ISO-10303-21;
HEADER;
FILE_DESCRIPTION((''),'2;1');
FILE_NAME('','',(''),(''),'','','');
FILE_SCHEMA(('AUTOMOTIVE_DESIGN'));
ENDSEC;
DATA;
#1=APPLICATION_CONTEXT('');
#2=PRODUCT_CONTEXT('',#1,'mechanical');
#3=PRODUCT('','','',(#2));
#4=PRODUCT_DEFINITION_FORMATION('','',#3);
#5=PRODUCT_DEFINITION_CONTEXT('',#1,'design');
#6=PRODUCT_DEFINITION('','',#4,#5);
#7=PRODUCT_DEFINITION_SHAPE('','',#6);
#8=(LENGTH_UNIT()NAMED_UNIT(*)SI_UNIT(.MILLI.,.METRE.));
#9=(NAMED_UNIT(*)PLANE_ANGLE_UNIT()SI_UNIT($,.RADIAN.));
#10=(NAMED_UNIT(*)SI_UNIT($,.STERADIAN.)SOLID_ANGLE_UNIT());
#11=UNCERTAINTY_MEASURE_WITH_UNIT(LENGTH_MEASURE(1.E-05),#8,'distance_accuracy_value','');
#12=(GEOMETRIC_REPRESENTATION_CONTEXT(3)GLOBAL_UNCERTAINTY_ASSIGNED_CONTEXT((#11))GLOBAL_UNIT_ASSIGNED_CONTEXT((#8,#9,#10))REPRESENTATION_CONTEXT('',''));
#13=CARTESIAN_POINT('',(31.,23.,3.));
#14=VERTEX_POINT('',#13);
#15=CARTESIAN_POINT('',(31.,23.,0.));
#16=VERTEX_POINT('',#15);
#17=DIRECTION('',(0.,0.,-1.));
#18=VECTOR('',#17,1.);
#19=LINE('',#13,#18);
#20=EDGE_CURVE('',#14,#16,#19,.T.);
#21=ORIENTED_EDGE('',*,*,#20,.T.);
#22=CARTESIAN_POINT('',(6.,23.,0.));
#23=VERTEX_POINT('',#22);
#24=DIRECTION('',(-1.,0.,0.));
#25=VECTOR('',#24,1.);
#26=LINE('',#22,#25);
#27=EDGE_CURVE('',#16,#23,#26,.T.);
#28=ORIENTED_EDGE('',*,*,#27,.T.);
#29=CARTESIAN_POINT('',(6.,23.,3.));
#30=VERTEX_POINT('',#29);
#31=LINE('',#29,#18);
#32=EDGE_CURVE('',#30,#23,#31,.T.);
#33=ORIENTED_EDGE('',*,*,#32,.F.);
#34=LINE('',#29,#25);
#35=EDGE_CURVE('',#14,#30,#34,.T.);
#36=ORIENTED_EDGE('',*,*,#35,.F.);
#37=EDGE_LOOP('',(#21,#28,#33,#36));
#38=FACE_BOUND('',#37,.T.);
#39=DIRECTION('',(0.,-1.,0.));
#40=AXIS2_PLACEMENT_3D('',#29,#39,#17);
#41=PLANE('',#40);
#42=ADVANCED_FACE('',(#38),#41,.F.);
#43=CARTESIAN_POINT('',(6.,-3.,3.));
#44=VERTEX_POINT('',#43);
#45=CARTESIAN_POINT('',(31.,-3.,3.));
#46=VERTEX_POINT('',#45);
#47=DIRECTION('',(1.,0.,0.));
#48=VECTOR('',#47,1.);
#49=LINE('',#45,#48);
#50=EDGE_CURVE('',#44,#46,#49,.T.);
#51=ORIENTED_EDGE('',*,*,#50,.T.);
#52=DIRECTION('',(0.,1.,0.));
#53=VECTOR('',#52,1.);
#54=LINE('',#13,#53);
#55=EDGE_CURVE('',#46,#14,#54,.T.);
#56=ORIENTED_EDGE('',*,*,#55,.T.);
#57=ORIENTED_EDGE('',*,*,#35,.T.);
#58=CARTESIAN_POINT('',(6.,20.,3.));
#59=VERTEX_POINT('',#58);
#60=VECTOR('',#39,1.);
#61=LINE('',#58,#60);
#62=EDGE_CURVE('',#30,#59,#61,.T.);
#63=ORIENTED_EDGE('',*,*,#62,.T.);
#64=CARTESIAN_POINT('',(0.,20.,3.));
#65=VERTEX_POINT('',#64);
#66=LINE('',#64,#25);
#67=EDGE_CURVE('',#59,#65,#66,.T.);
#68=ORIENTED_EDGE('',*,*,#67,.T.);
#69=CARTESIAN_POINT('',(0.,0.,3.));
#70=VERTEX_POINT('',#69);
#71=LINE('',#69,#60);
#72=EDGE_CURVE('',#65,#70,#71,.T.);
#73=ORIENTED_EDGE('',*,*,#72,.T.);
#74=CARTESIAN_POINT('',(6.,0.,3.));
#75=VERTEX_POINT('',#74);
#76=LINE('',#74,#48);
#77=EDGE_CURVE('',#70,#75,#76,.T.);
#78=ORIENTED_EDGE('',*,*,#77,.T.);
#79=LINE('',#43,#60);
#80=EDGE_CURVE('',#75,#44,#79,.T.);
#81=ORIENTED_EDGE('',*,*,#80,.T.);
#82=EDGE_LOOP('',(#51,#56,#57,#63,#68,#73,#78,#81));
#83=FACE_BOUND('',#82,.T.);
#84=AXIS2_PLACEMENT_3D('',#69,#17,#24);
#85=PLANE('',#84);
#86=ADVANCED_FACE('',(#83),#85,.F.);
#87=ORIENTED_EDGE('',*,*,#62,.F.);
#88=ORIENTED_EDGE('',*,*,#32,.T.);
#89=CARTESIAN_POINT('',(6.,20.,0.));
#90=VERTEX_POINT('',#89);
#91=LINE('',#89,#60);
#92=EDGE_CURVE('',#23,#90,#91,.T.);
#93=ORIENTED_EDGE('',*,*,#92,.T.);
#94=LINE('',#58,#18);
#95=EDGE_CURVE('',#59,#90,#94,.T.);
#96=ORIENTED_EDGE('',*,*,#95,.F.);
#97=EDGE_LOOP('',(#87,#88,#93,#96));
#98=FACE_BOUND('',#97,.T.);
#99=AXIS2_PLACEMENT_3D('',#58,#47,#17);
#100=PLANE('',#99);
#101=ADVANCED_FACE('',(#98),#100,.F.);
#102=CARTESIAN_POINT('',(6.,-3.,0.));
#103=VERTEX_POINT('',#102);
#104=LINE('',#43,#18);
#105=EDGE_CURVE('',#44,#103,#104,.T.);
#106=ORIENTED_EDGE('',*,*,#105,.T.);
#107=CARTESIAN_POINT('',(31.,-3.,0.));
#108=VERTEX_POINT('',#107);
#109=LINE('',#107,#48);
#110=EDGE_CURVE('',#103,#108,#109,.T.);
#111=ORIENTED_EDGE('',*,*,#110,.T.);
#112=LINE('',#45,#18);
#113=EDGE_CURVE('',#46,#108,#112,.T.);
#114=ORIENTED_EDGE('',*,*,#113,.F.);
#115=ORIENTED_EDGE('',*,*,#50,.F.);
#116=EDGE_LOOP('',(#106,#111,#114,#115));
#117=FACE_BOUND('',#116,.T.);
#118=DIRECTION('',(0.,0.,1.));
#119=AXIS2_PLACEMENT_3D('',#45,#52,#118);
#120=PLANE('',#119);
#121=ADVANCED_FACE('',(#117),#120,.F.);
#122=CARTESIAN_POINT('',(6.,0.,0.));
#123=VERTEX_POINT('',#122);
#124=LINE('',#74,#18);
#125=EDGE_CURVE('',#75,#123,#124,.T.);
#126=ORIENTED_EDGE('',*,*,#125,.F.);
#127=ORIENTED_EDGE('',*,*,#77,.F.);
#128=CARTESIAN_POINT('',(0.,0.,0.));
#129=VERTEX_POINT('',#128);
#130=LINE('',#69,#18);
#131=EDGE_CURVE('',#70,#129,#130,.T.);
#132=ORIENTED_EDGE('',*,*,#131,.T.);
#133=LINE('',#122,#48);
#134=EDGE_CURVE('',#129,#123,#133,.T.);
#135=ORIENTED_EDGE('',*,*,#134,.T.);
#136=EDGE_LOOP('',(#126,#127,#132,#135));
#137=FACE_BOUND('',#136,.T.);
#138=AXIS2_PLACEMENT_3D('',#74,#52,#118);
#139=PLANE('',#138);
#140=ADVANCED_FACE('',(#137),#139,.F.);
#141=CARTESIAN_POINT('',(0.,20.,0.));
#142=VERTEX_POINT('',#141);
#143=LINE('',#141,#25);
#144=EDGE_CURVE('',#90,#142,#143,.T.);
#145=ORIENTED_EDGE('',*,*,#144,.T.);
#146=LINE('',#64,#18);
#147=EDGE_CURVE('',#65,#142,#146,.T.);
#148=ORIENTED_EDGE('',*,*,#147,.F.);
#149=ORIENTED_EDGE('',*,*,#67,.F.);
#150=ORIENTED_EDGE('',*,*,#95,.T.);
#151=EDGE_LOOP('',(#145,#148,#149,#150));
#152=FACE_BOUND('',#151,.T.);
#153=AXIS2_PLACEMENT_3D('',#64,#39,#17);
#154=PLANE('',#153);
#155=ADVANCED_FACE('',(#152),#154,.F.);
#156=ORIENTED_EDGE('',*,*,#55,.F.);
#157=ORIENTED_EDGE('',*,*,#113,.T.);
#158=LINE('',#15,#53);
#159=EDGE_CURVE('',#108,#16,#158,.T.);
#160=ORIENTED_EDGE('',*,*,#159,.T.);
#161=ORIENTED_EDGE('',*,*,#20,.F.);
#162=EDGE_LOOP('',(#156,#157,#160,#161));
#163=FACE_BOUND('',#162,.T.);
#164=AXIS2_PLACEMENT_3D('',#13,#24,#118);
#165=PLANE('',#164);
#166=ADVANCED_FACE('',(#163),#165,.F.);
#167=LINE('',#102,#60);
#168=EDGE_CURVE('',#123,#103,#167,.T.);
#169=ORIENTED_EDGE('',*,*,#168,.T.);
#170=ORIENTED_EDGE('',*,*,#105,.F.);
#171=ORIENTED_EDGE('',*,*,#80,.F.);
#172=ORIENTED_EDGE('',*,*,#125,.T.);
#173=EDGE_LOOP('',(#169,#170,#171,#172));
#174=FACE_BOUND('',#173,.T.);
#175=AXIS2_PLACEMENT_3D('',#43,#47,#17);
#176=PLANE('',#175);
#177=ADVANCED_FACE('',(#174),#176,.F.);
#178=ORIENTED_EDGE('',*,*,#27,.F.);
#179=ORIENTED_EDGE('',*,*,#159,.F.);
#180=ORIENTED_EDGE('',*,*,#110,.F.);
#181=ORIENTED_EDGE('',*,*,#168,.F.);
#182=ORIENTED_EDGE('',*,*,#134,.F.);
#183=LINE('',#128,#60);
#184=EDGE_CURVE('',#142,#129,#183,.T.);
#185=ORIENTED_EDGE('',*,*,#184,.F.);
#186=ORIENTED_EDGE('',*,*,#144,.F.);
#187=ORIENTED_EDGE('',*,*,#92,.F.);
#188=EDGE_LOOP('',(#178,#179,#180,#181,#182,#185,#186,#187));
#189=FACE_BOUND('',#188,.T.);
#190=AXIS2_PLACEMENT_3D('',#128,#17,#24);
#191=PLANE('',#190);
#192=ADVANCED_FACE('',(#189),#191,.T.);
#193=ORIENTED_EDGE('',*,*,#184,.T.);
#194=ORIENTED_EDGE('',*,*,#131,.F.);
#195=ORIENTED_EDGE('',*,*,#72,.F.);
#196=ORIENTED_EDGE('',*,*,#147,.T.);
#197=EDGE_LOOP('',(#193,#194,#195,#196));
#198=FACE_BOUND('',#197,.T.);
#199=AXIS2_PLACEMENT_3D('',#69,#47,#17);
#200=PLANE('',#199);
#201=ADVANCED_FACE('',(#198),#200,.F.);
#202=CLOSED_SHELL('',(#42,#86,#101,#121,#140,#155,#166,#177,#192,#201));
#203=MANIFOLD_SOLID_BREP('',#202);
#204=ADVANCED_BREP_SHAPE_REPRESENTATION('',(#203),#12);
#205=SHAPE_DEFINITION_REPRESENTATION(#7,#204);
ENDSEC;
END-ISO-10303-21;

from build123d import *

# Parameters (mm, degrees)
Y_KSEKLIK_EKSTR_ZYON1_DEPTH = 3


with BuildPart() as part:
    # Çizim1 → Yükseklik-Ekstrüzyon1 (new body)
    with BuildSketch(Plane.XY):
        Polygon((0, 0), (0, 20), (6, 20), (6, 23), (31, 23), (31, -3), (6, -3), (6, 0), align=None)
    extrude(amount=Y_KSEKLIK_EKSTR_ZYON1_DEPTH)


solid = part.part
